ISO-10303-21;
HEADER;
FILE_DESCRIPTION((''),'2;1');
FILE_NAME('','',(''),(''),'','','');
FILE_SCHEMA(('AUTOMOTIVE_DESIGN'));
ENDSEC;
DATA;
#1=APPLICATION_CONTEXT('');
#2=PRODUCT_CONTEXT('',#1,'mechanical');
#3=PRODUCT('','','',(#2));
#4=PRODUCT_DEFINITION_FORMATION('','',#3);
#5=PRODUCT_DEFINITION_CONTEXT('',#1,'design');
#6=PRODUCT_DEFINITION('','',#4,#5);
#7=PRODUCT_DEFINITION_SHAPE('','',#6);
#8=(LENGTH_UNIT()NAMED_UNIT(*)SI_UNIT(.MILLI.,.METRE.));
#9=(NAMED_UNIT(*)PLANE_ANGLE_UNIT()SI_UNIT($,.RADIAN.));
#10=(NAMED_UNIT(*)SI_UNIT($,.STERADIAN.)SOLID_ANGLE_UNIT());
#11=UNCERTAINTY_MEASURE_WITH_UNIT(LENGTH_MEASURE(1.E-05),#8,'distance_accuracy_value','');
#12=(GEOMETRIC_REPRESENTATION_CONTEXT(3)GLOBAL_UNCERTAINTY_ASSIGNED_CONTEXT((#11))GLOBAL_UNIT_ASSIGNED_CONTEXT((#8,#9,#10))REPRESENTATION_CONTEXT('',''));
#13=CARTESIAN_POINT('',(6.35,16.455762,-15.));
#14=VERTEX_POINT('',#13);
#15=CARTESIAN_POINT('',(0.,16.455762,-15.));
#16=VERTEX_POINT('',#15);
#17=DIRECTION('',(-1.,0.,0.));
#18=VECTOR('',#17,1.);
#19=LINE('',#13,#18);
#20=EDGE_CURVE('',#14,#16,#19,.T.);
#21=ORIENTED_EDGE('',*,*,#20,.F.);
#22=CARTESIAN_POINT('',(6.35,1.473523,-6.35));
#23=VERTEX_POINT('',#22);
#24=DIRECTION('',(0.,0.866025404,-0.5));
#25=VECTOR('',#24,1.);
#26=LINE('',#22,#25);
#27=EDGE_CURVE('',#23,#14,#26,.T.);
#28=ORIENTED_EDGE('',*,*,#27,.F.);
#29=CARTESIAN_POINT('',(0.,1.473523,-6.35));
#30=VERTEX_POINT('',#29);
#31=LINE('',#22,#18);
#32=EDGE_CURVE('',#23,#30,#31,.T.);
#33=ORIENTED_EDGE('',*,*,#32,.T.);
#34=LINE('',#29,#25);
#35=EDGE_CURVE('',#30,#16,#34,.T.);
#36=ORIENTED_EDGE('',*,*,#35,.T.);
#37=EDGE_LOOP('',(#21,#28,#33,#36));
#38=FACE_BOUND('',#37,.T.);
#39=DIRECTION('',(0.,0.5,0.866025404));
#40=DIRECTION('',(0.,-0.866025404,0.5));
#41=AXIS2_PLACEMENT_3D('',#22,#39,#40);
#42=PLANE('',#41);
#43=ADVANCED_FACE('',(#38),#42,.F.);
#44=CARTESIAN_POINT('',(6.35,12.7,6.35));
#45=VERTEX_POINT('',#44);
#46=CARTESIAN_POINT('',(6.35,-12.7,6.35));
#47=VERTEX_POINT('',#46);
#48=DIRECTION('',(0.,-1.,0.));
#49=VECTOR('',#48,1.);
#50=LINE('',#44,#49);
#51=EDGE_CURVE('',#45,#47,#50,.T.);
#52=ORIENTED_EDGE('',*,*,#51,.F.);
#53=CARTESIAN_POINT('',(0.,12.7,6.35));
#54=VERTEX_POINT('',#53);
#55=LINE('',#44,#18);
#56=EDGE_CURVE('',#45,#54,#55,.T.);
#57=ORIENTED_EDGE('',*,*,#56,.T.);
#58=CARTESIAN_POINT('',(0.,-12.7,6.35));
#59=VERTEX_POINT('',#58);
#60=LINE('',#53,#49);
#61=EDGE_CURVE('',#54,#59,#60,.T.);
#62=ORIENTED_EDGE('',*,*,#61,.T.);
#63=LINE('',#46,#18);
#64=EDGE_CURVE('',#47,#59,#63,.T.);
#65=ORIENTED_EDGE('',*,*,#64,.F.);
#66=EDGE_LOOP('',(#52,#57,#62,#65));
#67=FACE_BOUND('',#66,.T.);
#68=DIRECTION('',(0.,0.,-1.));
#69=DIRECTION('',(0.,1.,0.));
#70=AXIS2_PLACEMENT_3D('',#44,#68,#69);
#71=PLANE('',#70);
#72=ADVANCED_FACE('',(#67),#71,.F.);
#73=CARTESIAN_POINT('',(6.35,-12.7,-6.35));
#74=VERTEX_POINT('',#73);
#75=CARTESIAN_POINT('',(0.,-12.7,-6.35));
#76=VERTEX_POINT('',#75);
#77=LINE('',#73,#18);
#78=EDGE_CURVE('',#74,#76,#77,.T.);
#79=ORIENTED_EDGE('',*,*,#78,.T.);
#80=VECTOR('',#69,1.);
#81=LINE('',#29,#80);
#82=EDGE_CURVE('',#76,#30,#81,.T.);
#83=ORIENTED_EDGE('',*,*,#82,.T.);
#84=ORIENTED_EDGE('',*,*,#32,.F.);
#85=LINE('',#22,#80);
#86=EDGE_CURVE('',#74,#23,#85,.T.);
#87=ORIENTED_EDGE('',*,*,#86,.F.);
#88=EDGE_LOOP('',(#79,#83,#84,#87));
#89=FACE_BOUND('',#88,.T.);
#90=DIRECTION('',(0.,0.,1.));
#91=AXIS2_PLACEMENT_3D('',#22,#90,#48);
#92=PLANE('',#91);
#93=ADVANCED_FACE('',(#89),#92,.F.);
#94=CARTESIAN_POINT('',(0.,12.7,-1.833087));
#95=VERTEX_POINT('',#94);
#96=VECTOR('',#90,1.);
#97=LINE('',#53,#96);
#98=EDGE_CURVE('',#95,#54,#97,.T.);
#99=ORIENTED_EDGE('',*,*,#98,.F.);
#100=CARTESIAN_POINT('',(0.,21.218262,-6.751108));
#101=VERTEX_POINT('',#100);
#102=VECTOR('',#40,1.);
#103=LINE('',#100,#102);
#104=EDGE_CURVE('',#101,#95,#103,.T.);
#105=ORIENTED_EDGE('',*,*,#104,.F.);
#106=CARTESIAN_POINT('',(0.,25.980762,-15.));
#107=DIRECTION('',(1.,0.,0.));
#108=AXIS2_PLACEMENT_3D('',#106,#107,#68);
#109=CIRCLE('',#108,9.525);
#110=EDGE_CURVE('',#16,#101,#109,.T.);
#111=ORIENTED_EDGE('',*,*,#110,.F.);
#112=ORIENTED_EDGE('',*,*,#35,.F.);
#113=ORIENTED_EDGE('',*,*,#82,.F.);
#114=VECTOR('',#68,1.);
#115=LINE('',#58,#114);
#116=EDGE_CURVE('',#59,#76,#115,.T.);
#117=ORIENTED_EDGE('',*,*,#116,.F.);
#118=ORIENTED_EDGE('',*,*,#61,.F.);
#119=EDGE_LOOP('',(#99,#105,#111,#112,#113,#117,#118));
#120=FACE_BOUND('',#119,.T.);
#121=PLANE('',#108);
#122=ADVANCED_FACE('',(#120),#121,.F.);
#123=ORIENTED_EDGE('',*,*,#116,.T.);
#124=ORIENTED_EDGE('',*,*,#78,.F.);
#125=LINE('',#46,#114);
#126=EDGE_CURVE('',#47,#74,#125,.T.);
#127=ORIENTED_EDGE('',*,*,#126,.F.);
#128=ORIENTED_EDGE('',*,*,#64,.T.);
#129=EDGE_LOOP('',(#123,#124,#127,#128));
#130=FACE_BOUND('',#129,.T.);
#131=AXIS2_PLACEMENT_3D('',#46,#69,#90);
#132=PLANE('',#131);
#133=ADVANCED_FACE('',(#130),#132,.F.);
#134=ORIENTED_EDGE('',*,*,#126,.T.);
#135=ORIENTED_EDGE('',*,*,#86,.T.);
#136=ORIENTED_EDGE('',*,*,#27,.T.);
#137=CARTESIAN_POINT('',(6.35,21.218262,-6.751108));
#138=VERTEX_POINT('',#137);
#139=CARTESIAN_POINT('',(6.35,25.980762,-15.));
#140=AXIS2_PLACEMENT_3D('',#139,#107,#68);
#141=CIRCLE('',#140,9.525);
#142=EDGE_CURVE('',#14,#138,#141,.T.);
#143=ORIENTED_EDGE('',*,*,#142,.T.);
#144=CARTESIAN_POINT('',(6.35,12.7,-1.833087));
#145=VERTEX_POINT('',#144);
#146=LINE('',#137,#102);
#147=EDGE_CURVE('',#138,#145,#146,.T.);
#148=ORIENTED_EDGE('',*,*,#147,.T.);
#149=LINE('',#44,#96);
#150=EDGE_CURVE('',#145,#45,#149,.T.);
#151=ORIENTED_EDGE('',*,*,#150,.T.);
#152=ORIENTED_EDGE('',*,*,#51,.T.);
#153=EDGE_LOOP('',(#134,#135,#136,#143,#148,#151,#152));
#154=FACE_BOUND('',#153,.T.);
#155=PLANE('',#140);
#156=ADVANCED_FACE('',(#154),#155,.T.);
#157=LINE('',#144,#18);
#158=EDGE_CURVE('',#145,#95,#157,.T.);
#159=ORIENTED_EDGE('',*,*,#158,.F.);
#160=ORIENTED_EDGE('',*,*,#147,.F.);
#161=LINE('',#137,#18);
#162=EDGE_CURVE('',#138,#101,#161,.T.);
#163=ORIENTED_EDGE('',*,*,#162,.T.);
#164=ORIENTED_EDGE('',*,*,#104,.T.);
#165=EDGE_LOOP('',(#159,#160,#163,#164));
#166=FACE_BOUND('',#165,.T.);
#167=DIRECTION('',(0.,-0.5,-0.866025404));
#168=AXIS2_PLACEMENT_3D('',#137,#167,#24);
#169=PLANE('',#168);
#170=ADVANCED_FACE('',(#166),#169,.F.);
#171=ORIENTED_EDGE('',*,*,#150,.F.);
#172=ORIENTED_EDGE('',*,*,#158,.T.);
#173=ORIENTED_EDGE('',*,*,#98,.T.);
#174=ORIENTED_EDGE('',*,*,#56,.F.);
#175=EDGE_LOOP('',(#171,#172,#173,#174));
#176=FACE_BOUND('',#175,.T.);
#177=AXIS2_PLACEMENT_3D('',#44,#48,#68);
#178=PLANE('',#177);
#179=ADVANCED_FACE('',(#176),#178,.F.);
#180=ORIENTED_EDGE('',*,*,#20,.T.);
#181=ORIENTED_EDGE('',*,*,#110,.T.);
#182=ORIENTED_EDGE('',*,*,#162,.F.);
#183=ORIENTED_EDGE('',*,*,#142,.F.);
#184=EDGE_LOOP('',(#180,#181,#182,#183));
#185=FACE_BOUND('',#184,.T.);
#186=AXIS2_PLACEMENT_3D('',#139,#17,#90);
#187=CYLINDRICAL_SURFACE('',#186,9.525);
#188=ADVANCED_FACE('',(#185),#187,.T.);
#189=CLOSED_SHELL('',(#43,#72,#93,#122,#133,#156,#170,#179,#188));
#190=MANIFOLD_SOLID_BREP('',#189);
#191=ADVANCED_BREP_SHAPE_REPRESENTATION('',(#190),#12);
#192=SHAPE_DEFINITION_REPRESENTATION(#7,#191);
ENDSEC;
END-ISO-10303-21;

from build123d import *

# Parameters (mm, degrees)
BOSS_EXTRUDE1_DEPTH = 6.35


with BuildPart() as part:
    # Sketch1 → Boss-Extrude1 (new body)
    with BuildSketch(Plane(origin=(0, 0, 0), x_dir=(0, 0, -1), z_dir=(1, 0, 0))):
        with BuildLine():
            Line((-6.35, 12.7), (1.833087105, 12.7))
            Line((1.833087105, 12.7), (6.751108029, 21.218262114))
            ThreePointArc((6.751108029, 21.218262114), (19.7625, 34.229654085), (15, 16.455762114))
            Line((15, 16.455762114), (6.35, 1.473522628))
            Line((6.35, 1.473522628), (6.35, -12.7))
            Line((6.35, -12.7), (-6.35, -12.7))
            Line((-6.35, -12.7), (-6.35, 12.7))
        make_face()
    extrude(amount=BOSS_EXTRUDE1_DEPTH)


solid = part.part
